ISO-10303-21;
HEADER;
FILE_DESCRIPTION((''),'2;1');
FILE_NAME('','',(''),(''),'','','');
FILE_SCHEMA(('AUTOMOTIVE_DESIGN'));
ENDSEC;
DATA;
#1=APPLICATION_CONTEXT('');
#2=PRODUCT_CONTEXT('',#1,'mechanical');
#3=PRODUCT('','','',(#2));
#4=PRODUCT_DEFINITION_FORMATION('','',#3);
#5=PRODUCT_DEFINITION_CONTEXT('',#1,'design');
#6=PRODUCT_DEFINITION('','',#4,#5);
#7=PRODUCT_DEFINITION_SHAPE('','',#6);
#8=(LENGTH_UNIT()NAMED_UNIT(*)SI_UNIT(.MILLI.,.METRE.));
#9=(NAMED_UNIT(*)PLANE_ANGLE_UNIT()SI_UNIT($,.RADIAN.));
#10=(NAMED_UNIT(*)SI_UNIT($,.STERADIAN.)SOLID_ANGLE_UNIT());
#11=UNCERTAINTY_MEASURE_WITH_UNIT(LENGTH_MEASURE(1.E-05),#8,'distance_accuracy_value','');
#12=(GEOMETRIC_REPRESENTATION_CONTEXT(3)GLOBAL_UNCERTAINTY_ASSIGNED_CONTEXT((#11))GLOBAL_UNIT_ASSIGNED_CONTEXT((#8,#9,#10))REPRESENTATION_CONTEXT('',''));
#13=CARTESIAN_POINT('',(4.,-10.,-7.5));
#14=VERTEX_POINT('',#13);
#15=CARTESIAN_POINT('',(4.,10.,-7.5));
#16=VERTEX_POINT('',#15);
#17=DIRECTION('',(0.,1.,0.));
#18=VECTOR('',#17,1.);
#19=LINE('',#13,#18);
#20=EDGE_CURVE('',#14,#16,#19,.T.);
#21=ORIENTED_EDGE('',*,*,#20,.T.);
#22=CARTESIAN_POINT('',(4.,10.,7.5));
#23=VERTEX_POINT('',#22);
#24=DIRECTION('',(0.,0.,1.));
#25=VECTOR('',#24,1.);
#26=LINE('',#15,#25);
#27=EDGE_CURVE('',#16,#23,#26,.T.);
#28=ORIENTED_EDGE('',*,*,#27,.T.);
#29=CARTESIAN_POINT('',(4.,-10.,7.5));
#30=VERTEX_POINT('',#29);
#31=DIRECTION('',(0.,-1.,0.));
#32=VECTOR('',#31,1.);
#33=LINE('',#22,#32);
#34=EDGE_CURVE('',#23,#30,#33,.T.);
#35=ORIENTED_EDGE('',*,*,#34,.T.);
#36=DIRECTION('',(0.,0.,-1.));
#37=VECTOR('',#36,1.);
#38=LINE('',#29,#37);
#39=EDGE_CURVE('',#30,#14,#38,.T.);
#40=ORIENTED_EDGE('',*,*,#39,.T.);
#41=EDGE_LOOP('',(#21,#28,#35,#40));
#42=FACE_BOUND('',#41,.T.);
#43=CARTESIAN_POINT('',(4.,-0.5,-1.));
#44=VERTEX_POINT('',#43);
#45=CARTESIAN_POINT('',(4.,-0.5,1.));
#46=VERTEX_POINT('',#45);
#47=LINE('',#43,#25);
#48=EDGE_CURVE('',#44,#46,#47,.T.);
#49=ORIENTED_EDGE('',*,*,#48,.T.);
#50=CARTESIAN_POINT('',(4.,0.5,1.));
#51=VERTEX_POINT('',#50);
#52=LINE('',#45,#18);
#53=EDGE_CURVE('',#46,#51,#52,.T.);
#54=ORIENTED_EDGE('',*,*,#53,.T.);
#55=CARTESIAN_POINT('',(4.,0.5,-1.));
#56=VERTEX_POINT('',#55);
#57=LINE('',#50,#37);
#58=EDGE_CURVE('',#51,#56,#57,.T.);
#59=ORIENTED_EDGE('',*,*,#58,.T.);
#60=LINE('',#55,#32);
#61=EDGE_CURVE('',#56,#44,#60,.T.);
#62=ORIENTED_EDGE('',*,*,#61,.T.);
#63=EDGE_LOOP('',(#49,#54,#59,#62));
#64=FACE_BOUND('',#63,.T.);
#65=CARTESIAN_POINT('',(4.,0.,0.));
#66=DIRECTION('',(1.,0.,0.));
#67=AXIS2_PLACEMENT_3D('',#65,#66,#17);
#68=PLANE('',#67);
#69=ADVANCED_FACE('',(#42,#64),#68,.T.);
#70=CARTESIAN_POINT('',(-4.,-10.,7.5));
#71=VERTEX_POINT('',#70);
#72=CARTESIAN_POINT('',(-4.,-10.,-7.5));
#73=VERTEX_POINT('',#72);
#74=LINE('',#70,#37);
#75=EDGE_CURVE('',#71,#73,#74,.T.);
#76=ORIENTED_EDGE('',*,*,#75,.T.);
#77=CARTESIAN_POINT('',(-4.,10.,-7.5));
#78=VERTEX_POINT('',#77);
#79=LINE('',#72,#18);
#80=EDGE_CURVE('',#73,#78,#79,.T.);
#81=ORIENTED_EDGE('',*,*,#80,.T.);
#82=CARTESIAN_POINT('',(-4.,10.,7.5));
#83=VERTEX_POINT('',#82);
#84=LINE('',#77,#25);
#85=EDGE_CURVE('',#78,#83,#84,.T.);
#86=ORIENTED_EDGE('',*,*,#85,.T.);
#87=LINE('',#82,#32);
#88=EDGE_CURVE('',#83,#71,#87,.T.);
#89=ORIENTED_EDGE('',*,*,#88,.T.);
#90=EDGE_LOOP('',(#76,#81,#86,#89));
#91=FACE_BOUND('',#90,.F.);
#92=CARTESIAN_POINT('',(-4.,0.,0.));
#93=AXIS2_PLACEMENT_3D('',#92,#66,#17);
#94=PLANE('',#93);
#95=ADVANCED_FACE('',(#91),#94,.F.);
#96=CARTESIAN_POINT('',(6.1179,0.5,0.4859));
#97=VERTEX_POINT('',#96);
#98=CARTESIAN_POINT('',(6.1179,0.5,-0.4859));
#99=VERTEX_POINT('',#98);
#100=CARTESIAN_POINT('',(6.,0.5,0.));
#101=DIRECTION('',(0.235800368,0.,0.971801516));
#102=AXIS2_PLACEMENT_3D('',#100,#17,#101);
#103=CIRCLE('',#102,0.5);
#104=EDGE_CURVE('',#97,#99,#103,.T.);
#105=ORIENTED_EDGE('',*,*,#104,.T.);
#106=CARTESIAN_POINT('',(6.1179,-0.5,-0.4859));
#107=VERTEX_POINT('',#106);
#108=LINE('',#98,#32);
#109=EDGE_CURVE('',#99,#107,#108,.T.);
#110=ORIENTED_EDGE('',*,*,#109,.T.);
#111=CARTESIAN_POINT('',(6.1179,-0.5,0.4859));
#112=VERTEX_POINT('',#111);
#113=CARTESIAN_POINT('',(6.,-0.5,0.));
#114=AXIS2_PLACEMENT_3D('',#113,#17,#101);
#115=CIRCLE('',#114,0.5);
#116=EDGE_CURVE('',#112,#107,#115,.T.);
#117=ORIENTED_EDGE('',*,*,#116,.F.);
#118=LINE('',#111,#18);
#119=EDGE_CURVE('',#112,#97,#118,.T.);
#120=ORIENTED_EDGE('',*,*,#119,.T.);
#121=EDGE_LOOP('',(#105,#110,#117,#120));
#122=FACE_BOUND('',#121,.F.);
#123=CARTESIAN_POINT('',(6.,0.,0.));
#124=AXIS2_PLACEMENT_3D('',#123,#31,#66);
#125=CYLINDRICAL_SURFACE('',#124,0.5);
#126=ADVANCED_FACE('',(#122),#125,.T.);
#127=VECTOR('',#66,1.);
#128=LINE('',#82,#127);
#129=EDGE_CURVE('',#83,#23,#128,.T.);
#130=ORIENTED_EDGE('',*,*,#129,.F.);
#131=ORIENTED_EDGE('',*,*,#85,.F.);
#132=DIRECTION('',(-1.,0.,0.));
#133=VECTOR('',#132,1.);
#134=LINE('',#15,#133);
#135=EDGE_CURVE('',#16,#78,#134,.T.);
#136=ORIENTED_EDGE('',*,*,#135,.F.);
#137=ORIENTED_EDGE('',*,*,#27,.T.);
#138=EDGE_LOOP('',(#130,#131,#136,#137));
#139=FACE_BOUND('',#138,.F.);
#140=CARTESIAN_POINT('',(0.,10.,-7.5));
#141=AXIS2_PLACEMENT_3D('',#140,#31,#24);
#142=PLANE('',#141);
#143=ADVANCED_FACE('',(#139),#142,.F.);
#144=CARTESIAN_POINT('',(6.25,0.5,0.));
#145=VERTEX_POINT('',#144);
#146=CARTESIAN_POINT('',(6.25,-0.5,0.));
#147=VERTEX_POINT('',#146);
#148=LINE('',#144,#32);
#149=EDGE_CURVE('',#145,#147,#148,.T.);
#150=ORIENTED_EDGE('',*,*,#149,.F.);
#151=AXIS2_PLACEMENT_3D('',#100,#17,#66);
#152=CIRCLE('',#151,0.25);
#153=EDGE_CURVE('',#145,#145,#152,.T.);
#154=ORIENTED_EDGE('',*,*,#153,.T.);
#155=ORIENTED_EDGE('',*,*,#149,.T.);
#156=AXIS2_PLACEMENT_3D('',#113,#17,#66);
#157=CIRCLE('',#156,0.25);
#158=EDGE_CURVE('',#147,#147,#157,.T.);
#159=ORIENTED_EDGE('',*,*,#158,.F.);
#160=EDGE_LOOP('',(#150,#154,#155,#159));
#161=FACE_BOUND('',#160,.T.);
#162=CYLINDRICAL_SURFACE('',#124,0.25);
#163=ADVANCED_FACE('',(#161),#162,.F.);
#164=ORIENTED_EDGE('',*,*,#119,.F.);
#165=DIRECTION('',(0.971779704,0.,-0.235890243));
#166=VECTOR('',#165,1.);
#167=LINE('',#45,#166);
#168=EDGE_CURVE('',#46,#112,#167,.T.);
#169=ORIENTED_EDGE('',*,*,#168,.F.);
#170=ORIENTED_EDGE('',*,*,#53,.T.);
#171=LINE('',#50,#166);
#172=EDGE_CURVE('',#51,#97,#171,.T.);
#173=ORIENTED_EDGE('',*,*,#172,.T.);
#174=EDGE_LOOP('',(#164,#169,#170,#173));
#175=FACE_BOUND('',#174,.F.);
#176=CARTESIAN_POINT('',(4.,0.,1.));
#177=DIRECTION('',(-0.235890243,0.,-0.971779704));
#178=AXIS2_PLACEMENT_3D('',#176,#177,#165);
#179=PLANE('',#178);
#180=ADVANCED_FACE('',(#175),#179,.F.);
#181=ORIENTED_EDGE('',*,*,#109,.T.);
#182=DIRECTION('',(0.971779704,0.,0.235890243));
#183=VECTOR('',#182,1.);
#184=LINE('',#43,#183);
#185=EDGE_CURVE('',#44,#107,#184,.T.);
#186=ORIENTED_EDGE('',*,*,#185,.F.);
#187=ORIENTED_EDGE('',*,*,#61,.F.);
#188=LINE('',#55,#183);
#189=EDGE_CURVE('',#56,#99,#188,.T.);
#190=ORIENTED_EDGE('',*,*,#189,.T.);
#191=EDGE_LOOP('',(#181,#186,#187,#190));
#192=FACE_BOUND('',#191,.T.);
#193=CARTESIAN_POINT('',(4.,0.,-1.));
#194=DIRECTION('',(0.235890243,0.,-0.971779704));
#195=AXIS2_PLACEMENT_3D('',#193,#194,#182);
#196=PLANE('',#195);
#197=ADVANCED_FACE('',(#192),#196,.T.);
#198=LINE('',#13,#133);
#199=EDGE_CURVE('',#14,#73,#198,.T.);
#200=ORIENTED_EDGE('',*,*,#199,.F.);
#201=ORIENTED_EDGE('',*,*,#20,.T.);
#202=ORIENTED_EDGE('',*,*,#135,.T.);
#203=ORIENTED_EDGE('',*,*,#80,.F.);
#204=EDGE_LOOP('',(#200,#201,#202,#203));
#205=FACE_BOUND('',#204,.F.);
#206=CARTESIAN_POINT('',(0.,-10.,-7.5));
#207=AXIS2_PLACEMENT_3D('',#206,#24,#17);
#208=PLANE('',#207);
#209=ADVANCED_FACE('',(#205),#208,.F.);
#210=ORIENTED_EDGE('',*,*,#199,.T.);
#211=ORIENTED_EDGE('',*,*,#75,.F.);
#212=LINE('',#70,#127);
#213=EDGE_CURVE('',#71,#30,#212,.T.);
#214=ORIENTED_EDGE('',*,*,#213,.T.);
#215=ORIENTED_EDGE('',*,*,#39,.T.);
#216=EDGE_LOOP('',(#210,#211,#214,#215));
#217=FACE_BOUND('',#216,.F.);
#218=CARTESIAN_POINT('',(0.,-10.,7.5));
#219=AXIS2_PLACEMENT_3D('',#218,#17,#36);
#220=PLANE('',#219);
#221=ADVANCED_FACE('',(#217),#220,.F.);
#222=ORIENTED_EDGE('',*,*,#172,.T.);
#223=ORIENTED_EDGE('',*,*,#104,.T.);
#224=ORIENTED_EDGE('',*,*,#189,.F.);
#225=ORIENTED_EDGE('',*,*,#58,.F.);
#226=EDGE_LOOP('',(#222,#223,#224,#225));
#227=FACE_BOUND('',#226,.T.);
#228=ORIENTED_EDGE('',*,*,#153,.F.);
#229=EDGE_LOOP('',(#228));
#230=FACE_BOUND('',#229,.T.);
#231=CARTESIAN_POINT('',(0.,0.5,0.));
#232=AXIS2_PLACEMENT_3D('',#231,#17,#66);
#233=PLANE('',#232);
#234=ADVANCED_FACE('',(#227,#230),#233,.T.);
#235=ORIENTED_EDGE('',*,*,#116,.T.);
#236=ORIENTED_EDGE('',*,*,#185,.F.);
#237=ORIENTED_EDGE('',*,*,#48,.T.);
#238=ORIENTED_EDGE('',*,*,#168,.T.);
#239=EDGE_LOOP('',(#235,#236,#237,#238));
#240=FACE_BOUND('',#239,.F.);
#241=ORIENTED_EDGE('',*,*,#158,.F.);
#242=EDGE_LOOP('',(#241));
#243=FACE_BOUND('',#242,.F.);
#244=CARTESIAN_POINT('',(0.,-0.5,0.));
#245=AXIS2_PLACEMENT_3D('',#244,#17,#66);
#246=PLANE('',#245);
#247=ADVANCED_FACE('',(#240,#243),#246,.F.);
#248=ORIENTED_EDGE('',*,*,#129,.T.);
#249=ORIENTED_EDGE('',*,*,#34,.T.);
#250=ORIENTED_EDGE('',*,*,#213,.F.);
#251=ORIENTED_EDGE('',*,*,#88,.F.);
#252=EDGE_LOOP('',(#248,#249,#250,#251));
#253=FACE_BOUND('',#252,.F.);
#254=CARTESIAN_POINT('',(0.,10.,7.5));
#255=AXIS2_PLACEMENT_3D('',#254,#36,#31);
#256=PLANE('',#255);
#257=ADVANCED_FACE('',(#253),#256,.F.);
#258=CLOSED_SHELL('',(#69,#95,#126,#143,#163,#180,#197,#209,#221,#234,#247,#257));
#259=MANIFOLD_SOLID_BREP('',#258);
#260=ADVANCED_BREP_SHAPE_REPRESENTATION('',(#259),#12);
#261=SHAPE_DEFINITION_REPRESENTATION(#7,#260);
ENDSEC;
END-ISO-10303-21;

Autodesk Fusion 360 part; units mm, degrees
sketch "草图1" plane through (0, 0, 0) normal (1, 0, 0) x (0, 1, 0)
  line L0 (10, 7.5) -> (-10, 7.5)
  line L1 (-10, 7.5) -> (-10, -7.5)
  line L2 (-10, -7.5) -> (10, -7.5)
  line L3 (10, -7.5) -> (10, 7.5)
  line L4 (10, 7.5) -> (-10, -7.5) construction
  line L5 (-10, 7.5) -> (10, -7.5) construction
  dimension "d1" = 20
  dimension "d2" = 15
extrude "拉伸1" add sketch "草图1" along normal mid plane 8
sketch "草图2" plane through (0, 0, 0) normal (0, 1, 0) x (1, 0, 0)
  line L0 (4, 0) -> (4, 1)
  line L1 (4, 0) -> (4, -1)
  circle A0 centre (6, 0) radius 0.5
  line L2 (4, 7.5) -> (4, -7.5)
  line L3 (4, 1) -> (6.1179, 0.4859)
  line L4 (4, -1) -> (6.1179, -0.4859)
  circle A1 centre (6, 0) radius 0.25
  dimension "d5" = 1
  dimension "d6" = 1
  dimension "d7" = 1
  dimension "d8" = 2
  dimension "d9" = 0.5
extrude "拉伸2" add sketch "草图2" along normal mid plane 1
